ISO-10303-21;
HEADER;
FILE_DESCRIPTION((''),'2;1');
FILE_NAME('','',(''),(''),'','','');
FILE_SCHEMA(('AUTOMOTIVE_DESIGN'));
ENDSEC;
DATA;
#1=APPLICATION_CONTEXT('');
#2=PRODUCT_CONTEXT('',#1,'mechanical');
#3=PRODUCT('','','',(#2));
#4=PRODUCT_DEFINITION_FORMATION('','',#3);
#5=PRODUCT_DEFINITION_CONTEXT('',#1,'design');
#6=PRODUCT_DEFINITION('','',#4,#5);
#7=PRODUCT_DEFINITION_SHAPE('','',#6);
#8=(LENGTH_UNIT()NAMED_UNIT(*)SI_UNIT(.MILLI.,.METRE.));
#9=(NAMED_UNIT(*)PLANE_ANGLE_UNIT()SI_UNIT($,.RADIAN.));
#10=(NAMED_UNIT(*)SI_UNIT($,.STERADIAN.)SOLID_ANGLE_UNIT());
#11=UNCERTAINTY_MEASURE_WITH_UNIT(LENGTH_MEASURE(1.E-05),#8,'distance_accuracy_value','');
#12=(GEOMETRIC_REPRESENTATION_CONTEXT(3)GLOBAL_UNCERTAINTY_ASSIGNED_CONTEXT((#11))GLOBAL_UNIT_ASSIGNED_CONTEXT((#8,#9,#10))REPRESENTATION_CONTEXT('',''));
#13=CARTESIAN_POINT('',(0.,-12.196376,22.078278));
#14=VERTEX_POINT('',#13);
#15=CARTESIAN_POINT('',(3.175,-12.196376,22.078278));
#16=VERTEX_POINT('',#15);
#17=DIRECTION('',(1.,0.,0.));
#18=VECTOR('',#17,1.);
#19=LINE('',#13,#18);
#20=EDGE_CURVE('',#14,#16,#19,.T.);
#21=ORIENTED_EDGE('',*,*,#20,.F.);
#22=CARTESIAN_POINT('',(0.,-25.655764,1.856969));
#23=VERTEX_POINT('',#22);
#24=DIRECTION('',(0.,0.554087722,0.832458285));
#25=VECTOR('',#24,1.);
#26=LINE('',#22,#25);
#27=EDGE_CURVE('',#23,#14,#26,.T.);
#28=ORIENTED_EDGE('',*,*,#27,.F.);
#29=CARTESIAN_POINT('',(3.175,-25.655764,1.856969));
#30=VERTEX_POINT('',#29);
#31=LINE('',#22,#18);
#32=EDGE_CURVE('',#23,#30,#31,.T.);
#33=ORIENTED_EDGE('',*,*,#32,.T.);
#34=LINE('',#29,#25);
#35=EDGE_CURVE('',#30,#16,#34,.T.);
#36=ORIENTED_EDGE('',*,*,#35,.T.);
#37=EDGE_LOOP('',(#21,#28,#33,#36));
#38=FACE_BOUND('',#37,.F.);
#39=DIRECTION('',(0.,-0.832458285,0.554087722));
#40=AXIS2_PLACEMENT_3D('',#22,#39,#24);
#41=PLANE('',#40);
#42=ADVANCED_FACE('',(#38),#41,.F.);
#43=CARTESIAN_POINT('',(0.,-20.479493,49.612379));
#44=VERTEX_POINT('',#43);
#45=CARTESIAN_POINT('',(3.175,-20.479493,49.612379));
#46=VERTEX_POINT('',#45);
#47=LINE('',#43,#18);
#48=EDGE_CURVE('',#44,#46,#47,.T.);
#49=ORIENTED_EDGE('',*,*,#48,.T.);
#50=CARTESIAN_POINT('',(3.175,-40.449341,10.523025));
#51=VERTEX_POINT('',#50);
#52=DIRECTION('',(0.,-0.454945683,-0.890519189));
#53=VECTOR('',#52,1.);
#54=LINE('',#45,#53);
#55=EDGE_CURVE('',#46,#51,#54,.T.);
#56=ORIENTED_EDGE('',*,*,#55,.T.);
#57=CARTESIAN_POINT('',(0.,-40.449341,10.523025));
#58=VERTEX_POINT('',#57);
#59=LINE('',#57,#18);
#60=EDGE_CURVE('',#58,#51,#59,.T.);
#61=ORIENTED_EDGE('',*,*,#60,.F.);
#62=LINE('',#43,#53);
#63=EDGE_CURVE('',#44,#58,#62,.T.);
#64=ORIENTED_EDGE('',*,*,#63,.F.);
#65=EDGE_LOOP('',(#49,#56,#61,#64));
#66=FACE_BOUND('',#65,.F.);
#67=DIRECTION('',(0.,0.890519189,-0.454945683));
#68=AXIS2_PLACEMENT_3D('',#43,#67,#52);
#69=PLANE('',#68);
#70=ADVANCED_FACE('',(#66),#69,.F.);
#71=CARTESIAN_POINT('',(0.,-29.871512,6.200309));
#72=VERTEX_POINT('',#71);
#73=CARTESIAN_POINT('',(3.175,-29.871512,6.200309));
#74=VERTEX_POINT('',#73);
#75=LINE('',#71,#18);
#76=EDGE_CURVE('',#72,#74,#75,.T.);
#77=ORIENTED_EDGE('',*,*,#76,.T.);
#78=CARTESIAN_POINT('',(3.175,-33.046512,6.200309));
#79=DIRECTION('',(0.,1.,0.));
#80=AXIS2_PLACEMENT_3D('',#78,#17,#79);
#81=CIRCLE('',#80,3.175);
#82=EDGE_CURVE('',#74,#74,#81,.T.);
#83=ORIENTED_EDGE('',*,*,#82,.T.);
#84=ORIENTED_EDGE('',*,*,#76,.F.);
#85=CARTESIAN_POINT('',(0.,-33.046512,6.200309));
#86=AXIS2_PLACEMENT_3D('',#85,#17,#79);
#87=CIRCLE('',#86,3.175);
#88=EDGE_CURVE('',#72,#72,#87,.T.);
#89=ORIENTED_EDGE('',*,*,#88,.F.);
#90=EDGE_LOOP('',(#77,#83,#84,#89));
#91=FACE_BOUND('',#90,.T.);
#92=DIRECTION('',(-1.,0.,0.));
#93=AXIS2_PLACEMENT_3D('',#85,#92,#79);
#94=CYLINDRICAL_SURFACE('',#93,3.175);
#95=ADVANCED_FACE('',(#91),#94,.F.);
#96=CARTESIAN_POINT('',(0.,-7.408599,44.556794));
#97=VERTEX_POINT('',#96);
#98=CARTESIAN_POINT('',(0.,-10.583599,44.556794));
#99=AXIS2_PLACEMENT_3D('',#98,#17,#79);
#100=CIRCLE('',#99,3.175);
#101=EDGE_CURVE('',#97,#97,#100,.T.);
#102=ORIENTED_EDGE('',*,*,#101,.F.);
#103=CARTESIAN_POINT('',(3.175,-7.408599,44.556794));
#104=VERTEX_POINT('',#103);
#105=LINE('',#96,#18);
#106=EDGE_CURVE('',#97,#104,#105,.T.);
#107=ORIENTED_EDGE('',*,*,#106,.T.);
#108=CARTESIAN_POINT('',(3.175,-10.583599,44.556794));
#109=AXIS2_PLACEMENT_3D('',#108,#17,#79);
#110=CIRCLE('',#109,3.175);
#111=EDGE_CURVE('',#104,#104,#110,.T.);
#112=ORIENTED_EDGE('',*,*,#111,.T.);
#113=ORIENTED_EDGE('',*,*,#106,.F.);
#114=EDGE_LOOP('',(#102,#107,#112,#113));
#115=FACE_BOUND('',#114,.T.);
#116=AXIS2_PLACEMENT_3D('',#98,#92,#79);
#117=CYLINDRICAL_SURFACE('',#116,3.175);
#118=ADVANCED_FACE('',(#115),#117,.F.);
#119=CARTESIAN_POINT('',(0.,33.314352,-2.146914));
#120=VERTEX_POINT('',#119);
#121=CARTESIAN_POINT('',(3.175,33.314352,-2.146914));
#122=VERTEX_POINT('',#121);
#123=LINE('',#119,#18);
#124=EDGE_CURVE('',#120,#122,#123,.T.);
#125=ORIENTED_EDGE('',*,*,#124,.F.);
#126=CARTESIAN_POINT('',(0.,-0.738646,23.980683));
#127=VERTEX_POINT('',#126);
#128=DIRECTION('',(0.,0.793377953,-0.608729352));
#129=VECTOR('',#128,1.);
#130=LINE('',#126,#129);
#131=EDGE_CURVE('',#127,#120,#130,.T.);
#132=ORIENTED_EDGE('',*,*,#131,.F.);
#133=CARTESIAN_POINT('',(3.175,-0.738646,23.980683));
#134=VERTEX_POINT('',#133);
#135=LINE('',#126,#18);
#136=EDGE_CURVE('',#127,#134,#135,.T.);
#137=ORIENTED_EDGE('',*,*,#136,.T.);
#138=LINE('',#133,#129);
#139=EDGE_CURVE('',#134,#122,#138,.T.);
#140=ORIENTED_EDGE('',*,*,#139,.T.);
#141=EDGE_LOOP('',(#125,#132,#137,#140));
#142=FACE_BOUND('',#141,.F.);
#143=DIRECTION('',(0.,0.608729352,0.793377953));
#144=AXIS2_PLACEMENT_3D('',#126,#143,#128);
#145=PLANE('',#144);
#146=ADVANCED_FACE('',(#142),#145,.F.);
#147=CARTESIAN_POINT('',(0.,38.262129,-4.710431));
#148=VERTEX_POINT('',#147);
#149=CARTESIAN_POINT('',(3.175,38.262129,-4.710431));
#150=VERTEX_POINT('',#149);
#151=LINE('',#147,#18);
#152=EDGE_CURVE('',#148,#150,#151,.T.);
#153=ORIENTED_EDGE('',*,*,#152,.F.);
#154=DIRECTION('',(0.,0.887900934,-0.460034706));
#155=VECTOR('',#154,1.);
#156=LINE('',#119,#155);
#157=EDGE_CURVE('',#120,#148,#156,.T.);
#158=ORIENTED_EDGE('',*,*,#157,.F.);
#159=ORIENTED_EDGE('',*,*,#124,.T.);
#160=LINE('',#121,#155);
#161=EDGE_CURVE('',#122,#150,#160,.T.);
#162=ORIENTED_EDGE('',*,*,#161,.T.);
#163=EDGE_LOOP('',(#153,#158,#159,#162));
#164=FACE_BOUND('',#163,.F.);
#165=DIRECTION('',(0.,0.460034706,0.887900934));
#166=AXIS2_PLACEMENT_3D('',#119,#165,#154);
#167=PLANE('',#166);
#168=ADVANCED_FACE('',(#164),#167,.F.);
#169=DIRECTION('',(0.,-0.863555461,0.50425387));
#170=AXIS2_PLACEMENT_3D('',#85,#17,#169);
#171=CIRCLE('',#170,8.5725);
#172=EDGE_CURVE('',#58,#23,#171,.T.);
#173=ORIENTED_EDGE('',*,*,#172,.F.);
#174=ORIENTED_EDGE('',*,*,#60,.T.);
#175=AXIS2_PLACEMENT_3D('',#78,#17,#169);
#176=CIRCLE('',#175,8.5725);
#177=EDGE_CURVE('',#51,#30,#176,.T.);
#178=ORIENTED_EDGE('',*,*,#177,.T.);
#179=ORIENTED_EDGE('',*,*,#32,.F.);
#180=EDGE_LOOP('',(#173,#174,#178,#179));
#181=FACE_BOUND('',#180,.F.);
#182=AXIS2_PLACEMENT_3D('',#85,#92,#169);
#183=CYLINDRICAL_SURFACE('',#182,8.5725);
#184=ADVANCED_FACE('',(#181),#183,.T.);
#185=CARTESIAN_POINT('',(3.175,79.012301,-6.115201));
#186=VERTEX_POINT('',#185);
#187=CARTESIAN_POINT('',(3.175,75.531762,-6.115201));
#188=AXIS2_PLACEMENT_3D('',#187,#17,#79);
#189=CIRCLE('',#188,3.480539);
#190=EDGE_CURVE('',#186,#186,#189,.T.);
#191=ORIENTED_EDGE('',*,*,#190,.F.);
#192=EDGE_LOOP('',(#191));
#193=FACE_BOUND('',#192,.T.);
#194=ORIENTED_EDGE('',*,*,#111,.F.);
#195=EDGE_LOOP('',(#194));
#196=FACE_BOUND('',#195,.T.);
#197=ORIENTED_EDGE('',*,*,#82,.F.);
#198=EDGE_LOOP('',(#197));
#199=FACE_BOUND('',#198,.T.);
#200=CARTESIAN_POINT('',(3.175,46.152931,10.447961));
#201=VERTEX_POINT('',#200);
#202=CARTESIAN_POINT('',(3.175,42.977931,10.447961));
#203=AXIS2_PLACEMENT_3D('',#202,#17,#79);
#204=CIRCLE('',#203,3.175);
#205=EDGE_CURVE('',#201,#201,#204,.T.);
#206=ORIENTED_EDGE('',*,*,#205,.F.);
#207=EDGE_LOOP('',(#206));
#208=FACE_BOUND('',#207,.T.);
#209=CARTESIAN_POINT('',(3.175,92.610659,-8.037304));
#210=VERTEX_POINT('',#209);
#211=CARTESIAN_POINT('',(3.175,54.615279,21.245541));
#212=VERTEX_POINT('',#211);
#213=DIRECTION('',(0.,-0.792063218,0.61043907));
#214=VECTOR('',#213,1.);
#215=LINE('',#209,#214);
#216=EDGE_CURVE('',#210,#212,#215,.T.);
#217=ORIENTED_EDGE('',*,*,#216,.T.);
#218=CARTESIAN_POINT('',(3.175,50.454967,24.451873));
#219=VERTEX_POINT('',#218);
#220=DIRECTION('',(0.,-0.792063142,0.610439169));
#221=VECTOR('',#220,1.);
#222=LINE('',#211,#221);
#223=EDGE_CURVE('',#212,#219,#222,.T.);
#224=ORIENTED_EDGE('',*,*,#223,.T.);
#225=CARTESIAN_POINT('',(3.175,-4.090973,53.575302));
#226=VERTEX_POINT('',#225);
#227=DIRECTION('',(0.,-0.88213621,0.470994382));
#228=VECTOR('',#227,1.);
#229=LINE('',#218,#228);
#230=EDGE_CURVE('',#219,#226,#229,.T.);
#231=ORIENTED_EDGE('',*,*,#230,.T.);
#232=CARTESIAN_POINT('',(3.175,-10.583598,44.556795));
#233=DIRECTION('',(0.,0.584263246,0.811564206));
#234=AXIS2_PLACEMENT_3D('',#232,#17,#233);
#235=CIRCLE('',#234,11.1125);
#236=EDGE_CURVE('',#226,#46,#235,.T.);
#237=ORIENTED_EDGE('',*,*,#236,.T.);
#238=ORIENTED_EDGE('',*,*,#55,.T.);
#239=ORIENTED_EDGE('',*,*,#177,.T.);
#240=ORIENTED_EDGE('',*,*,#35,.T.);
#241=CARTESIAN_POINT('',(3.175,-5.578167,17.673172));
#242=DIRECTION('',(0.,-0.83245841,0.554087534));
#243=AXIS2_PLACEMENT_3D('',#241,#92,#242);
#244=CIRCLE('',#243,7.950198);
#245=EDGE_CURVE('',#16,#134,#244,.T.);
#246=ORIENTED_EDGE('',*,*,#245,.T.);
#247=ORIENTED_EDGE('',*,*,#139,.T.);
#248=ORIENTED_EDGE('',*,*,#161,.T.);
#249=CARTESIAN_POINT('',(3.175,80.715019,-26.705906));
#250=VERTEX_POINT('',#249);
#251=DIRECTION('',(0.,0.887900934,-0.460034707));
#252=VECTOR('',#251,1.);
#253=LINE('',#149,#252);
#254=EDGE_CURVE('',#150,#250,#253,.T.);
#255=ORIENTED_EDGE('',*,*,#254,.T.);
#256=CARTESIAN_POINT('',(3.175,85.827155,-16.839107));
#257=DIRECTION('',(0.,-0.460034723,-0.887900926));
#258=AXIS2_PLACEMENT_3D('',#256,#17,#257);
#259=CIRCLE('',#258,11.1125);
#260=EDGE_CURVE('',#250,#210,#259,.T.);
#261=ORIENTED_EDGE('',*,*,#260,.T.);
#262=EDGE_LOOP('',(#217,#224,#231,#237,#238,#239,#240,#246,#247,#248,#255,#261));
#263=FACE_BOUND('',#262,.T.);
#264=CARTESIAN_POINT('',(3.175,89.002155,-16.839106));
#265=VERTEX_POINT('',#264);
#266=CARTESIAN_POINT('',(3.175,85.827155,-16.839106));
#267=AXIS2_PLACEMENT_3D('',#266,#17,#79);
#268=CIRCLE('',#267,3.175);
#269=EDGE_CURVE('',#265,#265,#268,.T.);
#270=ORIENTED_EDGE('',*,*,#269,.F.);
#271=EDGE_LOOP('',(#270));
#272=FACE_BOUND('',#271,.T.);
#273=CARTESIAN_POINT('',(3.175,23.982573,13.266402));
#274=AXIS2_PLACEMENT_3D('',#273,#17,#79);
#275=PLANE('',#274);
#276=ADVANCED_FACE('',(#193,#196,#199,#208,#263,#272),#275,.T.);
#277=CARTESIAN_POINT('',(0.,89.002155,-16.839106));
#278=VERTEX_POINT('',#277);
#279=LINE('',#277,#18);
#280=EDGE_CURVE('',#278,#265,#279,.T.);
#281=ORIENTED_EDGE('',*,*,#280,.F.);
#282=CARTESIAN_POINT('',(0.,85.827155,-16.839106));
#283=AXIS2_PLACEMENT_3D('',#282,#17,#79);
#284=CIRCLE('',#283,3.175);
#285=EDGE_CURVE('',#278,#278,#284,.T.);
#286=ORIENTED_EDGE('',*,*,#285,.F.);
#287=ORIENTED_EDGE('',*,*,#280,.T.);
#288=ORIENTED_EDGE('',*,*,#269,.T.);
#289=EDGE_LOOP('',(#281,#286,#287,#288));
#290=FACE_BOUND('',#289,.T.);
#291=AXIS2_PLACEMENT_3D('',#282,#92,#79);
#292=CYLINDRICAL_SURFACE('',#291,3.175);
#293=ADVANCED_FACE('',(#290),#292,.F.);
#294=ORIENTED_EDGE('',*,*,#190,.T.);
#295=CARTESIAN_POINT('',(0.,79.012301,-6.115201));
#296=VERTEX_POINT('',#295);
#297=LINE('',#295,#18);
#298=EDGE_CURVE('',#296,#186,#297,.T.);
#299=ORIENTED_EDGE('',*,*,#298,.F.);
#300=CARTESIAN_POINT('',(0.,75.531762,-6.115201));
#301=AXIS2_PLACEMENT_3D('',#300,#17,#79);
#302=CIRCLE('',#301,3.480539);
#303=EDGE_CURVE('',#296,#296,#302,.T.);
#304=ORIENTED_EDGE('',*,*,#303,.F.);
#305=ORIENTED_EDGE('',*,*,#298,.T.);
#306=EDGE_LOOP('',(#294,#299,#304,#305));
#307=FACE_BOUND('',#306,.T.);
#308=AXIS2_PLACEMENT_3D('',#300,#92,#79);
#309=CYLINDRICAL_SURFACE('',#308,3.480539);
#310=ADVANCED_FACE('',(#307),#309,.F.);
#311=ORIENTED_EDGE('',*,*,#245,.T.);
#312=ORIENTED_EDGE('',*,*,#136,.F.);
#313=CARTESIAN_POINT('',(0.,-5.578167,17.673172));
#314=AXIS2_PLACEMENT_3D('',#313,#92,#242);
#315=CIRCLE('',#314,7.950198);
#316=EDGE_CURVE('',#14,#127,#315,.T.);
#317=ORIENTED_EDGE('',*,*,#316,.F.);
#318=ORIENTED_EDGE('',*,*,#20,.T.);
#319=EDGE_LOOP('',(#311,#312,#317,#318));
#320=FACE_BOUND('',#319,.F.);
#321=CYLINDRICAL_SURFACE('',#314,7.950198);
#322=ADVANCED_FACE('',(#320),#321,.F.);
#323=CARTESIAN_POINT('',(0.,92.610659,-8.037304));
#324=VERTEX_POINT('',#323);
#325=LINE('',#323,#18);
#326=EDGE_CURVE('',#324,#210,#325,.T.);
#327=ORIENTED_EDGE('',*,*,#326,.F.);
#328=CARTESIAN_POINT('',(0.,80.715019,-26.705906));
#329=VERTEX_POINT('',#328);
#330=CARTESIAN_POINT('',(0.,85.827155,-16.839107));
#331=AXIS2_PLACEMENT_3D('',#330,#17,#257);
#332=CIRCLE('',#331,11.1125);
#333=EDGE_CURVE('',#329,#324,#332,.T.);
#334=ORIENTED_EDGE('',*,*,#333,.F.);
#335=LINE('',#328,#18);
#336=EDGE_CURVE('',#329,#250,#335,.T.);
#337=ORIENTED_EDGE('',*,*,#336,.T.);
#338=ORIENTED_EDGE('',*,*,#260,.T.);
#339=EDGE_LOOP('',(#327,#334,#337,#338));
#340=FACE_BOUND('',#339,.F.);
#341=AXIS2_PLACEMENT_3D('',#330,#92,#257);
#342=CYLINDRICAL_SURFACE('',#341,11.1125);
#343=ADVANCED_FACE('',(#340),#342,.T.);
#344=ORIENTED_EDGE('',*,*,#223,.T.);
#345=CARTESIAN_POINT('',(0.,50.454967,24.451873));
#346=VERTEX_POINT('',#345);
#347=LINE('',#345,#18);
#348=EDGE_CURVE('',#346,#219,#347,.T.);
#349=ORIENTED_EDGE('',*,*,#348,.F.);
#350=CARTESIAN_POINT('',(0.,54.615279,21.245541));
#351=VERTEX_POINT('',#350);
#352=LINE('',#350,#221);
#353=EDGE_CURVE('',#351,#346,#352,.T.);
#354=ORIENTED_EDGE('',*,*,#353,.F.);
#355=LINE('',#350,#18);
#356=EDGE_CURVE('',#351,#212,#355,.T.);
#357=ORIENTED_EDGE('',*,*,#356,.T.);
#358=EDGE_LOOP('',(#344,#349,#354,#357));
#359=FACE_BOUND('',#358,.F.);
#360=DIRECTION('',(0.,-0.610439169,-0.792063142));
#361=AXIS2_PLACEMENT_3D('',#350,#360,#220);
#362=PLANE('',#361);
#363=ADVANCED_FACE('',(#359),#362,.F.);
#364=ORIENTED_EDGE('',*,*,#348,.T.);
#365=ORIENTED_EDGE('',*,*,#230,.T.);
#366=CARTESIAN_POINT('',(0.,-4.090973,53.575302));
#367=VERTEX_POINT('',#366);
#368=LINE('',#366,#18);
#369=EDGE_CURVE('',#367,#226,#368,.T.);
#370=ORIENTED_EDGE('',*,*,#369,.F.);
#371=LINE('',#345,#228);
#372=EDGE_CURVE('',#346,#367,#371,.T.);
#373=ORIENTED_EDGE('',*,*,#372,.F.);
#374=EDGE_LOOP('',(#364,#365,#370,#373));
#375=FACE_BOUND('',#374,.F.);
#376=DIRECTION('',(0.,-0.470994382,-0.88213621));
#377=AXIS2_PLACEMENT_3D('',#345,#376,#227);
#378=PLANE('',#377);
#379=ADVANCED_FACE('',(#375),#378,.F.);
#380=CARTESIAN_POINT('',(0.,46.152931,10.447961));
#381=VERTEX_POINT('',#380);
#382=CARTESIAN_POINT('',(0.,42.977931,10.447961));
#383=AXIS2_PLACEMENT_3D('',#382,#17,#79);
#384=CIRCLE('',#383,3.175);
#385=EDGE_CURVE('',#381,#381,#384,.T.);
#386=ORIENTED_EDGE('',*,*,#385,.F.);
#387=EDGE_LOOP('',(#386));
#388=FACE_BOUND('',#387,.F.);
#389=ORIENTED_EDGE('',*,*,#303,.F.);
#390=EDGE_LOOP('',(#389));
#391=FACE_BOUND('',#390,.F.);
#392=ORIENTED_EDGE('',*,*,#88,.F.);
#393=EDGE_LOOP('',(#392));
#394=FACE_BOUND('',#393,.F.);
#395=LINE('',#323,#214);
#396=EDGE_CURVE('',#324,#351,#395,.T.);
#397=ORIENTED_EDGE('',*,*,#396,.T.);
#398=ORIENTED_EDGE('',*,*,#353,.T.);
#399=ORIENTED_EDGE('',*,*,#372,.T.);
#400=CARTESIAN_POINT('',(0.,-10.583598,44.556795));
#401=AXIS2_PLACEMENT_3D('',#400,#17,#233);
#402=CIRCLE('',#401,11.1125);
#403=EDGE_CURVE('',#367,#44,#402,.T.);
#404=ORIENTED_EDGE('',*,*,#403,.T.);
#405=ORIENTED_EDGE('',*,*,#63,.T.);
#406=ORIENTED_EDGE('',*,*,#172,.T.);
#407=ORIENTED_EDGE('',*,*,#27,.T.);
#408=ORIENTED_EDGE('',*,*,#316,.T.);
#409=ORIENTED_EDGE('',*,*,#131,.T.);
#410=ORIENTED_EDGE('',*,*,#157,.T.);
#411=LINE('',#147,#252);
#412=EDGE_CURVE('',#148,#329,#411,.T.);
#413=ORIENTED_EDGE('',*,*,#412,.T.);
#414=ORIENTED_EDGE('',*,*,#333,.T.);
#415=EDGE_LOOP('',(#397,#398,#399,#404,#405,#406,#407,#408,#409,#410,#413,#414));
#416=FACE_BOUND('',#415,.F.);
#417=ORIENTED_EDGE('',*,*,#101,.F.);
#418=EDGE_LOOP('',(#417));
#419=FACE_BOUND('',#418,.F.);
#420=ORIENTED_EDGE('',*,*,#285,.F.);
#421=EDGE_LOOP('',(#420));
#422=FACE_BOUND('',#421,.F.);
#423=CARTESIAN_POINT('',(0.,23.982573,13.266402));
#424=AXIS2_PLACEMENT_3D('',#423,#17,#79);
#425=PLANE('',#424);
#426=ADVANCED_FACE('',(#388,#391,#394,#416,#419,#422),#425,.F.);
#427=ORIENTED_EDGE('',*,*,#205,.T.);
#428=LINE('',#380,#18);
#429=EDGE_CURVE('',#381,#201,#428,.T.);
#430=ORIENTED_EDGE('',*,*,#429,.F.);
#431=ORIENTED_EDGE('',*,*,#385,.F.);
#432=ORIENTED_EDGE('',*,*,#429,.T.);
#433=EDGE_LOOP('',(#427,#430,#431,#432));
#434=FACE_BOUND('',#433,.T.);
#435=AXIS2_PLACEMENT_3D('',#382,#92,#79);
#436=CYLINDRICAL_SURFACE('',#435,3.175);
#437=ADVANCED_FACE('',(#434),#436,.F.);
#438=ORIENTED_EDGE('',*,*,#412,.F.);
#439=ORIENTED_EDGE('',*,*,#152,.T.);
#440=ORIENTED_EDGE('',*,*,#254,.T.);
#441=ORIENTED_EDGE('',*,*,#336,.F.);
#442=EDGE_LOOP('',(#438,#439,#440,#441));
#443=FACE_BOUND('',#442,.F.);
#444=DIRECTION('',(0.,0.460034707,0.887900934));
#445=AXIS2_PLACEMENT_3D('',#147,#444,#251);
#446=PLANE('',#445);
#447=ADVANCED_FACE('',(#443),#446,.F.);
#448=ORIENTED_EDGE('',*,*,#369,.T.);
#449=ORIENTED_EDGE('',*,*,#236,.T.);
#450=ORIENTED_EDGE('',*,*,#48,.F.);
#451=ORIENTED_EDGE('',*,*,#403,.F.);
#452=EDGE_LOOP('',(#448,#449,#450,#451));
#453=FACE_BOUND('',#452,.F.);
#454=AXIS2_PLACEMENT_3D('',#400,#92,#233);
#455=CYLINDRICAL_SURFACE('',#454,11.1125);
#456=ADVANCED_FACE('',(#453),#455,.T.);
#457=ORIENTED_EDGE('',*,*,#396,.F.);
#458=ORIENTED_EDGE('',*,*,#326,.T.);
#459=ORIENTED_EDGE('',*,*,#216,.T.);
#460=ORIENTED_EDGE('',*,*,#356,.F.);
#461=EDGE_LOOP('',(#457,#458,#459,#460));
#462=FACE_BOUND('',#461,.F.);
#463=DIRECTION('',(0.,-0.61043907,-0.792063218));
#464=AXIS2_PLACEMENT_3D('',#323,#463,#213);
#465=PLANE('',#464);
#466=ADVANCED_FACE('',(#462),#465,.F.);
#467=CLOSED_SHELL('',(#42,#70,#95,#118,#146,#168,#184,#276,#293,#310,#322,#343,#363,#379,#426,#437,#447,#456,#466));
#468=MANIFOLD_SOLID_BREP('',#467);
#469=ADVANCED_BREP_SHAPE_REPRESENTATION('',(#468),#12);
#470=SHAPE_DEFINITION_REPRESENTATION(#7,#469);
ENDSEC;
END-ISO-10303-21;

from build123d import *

# Parameters (mm, degrees)
F0_R     = 3.175
F0_R_2   = 3.480539
F1_DEPTH = 3.175


with BuildPart() as f1:
    # F0 (on Right) → F1 (new body)
    with BuildSketch(Plane.YZ):
        with BuildLine():
            Line((-20.479493, 49.612379), (-40.449341, 10.523025))
            ThreePointArc((-40.449341, 10.523025), (-37.379544, -1.196487), (-25.655764, 1.856969))
            Line((-25.655764, 1.856969), (-12.196376, 22.078278))
            ThreePointArc((-12.196376, 22.078278), (-6.880365, 25.515999), (-0.738646, 23.980683))
            Line((-0.738646, 23.980683), (33.314352, -2.146914))
            Line((33.314352, -2.146914), (38.262129, -4.710431))
            Line((38.262129, -4.710431), (80.715019, -26.705906))
            ThreePointArc((80.715019, -26.705906), (95.19879, -22.810716), (92.610659, -8.037304))
            Line((92.610659, -8.037304), (54.615279, 21.245541))
            Line((54.615279, 21.245541), (50.454967, 24.451873))
            Line((50.454967, 24.451873), (-4.090973, 53.575302))
            ThreePointArc((-4.090973, 53.575302), (-13.195447, 55.357994), (-20.479493, 49.612379))
        make_face()
        with Locations((-33.046512, 6.200309)):
            Circle(F0_R, mode=Mode.SUBTRACT)
        with Locations((85.827155, -16.839106)):
            Circle(F0_R, mode=Mode.SUBTRACT)
        with Locations((42.977931, 10.447961)):
            Circle(F0_R, mode=Mode.SUBTRACT)
        with Locations((75.531762, -6.115201)):
            Circle(F0_R_2, mode=Mode.SUBTRACT)
        with Locations((-10.583599, 44.556794)):
            Circle(F0_R, mode=Mode.SUBTRACT)
    extrude(amount=F1_DEPTH)


solid = f1.part
